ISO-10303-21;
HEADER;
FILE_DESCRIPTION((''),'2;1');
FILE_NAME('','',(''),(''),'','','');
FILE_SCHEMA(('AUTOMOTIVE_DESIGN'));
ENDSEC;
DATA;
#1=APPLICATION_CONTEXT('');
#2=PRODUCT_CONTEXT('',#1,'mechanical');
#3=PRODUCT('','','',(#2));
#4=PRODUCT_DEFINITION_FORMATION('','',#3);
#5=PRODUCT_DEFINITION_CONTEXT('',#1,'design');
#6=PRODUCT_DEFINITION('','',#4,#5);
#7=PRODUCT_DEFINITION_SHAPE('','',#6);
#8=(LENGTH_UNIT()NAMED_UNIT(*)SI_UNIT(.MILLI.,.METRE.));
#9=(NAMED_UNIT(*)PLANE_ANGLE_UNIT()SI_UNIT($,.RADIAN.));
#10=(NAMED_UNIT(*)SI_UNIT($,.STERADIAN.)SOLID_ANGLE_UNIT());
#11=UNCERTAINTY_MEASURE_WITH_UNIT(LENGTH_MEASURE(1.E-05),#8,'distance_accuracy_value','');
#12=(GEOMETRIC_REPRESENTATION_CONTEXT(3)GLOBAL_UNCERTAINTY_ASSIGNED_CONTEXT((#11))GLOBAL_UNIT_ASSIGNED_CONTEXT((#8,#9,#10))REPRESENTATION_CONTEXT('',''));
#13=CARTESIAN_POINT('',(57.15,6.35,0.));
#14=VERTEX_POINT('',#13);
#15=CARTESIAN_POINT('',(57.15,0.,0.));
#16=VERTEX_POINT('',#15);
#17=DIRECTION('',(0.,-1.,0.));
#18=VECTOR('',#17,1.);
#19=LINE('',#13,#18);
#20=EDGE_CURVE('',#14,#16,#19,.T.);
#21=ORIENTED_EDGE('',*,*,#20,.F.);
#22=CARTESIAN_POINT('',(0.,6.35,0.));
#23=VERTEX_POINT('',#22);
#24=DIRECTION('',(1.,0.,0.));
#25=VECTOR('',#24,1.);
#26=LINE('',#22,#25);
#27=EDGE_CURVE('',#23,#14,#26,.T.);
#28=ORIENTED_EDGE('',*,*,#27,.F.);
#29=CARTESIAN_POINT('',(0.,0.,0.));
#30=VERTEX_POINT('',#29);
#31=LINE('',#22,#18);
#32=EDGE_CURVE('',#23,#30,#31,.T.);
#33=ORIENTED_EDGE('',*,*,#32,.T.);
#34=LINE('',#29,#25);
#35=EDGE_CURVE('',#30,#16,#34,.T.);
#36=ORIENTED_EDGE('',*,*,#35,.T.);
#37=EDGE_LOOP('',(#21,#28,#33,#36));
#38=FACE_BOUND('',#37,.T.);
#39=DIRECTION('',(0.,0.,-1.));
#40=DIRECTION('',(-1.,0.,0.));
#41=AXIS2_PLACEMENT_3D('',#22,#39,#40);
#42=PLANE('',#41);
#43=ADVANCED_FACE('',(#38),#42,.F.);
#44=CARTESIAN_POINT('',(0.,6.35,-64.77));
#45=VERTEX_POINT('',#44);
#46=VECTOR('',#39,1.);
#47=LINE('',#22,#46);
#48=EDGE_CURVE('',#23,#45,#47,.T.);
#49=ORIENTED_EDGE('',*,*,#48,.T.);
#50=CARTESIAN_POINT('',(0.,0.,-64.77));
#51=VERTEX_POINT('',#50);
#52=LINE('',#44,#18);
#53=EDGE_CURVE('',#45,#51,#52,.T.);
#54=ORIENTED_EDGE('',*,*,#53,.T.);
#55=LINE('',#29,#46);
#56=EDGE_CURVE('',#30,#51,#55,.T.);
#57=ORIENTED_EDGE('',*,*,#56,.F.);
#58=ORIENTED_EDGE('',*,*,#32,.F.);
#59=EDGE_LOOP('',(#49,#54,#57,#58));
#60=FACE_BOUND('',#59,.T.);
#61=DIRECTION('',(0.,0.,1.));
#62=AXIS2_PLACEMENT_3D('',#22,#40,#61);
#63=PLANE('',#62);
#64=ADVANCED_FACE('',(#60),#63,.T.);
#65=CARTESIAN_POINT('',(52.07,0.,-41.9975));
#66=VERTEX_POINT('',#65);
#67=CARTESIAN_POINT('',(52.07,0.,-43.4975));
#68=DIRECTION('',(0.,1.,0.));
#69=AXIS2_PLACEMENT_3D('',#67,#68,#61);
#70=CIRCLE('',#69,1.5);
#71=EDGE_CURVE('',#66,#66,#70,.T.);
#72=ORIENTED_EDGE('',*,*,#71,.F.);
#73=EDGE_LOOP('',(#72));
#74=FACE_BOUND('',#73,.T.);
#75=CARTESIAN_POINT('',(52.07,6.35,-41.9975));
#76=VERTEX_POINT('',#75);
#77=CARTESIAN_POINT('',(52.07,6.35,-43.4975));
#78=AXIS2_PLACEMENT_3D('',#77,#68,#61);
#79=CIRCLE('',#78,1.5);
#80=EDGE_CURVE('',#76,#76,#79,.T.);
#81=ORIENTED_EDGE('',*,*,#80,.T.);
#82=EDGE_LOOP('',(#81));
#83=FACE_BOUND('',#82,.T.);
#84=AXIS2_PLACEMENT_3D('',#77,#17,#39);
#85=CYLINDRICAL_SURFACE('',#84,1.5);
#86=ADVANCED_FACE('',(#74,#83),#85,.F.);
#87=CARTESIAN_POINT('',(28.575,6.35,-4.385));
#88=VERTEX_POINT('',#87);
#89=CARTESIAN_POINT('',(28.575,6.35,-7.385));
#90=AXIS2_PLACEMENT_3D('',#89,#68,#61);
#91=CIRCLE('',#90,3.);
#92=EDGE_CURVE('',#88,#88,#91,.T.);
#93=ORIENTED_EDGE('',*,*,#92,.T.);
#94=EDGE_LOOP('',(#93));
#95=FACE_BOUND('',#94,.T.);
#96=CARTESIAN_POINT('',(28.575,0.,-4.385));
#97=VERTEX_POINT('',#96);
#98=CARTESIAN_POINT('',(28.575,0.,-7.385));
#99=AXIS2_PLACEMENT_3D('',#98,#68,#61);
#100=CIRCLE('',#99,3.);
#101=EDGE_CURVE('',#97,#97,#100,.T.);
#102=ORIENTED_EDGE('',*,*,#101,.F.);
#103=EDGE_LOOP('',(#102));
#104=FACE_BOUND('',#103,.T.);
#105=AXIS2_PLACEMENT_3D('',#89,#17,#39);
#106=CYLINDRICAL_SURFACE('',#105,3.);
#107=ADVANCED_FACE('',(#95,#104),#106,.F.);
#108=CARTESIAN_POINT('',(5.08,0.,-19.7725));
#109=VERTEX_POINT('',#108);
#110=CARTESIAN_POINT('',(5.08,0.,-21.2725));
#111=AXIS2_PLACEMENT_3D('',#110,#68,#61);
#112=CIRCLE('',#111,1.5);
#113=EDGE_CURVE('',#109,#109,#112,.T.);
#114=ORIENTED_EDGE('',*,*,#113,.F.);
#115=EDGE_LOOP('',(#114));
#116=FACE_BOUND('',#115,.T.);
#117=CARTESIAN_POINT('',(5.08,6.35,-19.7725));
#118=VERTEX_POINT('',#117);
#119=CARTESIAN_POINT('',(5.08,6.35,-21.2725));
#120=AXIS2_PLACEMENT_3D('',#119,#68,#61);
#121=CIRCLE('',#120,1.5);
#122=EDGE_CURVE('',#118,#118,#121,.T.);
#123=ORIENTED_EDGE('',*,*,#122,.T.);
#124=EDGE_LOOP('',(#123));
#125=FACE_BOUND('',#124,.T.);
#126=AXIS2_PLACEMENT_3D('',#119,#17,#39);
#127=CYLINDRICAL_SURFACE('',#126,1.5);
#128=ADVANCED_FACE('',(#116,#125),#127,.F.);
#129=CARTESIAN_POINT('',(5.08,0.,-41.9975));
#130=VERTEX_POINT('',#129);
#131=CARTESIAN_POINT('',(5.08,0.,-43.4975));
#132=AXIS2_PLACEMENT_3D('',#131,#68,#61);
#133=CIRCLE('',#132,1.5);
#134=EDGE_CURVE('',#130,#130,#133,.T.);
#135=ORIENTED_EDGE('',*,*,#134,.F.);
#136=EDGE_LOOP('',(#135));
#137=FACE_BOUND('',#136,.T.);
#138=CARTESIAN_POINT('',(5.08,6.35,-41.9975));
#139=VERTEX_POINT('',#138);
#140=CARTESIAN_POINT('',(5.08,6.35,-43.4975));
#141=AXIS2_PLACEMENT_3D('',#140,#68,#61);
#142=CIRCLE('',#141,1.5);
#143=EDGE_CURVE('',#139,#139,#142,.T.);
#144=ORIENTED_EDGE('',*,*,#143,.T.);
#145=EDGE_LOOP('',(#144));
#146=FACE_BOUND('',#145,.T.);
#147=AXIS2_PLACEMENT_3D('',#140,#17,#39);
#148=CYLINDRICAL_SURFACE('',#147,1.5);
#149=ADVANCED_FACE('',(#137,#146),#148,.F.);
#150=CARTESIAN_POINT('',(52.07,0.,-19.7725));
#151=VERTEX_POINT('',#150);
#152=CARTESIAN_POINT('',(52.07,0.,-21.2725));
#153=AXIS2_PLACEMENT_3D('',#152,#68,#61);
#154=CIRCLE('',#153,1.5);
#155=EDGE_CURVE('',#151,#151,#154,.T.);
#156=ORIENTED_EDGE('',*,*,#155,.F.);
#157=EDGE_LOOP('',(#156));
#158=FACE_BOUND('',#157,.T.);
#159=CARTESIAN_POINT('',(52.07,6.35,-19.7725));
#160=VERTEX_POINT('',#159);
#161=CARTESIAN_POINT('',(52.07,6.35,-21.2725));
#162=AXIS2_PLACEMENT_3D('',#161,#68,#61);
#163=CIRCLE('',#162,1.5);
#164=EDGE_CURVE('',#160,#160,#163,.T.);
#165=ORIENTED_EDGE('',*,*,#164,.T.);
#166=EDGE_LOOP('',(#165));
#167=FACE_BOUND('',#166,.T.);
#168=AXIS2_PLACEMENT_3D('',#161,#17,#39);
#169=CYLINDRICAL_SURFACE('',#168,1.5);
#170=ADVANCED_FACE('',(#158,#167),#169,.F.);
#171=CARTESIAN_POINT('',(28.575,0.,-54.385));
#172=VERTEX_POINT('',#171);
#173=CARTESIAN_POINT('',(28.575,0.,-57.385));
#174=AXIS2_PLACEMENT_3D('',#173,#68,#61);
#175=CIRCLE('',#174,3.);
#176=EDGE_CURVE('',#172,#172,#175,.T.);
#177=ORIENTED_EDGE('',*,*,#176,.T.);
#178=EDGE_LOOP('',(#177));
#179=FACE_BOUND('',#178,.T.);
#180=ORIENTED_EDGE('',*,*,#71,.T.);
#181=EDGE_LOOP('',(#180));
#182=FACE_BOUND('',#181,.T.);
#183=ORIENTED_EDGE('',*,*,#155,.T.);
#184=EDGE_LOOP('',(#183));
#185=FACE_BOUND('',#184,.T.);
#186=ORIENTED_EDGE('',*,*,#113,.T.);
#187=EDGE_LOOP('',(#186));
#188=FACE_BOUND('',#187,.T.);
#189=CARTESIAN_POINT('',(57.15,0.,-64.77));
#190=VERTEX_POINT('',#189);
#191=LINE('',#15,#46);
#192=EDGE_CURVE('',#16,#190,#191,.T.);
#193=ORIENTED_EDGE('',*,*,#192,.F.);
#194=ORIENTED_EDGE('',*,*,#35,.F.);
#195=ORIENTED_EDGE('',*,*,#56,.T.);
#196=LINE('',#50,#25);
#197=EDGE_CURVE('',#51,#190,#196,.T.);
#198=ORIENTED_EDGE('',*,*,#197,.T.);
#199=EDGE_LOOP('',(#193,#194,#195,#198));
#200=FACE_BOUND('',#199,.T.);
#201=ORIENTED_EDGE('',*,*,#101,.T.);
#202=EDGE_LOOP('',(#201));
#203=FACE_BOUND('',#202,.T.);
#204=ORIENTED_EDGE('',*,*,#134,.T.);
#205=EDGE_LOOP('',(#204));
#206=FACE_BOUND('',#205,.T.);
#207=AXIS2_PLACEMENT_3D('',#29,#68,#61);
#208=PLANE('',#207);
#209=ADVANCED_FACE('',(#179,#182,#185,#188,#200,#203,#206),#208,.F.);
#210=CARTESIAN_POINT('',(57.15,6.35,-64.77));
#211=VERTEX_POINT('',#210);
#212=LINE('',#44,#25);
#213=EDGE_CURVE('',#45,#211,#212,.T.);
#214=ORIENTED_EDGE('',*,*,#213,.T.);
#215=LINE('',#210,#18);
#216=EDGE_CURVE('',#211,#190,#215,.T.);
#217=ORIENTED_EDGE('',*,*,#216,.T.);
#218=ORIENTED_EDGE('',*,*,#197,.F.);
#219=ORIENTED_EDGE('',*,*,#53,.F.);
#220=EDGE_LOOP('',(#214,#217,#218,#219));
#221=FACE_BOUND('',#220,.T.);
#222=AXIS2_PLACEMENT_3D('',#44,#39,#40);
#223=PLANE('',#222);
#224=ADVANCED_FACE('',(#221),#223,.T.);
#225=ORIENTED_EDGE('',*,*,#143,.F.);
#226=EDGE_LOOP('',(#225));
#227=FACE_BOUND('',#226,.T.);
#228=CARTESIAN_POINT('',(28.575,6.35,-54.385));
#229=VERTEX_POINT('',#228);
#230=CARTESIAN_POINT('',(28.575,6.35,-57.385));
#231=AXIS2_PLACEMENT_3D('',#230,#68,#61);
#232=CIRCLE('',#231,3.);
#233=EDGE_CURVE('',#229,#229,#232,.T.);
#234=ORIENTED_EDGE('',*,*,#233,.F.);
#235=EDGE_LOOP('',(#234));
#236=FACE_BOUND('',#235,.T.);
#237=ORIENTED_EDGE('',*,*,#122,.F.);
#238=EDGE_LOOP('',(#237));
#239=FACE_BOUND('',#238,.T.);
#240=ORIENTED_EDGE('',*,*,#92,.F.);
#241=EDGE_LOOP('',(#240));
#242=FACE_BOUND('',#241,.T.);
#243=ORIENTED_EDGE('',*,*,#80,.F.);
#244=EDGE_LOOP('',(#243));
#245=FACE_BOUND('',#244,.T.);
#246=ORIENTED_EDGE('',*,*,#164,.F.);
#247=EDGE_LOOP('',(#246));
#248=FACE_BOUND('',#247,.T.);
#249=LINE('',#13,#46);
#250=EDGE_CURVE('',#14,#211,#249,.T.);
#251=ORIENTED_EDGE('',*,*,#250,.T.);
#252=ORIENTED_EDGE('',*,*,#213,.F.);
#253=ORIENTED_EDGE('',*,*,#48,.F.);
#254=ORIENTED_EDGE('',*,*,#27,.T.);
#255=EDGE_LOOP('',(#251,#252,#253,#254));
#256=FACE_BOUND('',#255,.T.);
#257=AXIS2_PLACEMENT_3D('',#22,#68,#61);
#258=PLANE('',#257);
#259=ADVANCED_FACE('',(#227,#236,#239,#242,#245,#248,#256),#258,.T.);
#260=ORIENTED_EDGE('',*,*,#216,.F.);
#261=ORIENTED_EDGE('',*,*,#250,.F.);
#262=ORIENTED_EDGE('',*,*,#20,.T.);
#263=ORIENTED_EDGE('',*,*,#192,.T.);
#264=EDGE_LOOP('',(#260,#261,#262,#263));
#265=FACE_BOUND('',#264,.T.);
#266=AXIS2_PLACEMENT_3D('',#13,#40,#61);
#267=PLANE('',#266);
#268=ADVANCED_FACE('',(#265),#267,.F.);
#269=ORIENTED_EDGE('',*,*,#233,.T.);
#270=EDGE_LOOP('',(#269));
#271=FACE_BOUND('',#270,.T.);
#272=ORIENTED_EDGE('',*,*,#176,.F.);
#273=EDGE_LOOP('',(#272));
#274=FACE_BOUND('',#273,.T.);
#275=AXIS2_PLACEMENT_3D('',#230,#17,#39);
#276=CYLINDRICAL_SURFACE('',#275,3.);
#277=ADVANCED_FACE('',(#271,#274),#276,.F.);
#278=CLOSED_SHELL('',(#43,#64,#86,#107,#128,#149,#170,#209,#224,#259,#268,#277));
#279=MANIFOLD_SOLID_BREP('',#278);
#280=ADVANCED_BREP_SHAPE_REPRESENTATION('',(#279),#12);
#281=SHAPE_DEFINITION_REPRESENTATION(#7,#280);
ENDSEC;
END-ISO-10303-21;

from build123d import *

# Parameters (mm, degrees)
SKETCH1_W           = 57.15
SKETCH1_H           = 64.77
SKETCH1_R           = 1.5
SKETCH1_R_2         = 3
BOSS_EXTRUDE1_DEPTH = 6.35


with BuildPart() as part:
    # Sketch1 → Boss-Extrude1 (new body)
    with BuildSketch(Plane(origin=(0, 0, 0), x_dir=(1, 0, 0), z_dir=(0, 1, 0))):
        with Locations((28.575, 32.385)):
            Rectangle(SKETCH1_W, SKETCH1_H)
        with Locations((5.08, 21.2725)):
            Circle(SKETCH1_R, mode=Mode.SUBTRACT)
        with Locations((5.08, 43.4975)):
            Circle(SKETCH1_R, mode=Mode.SUBTRACT)
        with Locations((52.07, 21.2725)):
            Circle(SKETCH1_R, mode=Mode.SUBTRACT)
        with Locations((52.07, 43.4975)):
            Circle(SKETCH1_R, mode=Mode.SUBTRACT)
        with Locations((28.575, 7.385)):
            Circle(SKETCH1_R_2, mode=Mode.SUBTRACT)
        with Locations((28.575, 57.385)):
            Circle(SKETCH1_R_2, mode=Mode.SUBTRACT)
    extrude(amount=BOSS_EXTRUDE1_DEPTH)


solid = part.part
